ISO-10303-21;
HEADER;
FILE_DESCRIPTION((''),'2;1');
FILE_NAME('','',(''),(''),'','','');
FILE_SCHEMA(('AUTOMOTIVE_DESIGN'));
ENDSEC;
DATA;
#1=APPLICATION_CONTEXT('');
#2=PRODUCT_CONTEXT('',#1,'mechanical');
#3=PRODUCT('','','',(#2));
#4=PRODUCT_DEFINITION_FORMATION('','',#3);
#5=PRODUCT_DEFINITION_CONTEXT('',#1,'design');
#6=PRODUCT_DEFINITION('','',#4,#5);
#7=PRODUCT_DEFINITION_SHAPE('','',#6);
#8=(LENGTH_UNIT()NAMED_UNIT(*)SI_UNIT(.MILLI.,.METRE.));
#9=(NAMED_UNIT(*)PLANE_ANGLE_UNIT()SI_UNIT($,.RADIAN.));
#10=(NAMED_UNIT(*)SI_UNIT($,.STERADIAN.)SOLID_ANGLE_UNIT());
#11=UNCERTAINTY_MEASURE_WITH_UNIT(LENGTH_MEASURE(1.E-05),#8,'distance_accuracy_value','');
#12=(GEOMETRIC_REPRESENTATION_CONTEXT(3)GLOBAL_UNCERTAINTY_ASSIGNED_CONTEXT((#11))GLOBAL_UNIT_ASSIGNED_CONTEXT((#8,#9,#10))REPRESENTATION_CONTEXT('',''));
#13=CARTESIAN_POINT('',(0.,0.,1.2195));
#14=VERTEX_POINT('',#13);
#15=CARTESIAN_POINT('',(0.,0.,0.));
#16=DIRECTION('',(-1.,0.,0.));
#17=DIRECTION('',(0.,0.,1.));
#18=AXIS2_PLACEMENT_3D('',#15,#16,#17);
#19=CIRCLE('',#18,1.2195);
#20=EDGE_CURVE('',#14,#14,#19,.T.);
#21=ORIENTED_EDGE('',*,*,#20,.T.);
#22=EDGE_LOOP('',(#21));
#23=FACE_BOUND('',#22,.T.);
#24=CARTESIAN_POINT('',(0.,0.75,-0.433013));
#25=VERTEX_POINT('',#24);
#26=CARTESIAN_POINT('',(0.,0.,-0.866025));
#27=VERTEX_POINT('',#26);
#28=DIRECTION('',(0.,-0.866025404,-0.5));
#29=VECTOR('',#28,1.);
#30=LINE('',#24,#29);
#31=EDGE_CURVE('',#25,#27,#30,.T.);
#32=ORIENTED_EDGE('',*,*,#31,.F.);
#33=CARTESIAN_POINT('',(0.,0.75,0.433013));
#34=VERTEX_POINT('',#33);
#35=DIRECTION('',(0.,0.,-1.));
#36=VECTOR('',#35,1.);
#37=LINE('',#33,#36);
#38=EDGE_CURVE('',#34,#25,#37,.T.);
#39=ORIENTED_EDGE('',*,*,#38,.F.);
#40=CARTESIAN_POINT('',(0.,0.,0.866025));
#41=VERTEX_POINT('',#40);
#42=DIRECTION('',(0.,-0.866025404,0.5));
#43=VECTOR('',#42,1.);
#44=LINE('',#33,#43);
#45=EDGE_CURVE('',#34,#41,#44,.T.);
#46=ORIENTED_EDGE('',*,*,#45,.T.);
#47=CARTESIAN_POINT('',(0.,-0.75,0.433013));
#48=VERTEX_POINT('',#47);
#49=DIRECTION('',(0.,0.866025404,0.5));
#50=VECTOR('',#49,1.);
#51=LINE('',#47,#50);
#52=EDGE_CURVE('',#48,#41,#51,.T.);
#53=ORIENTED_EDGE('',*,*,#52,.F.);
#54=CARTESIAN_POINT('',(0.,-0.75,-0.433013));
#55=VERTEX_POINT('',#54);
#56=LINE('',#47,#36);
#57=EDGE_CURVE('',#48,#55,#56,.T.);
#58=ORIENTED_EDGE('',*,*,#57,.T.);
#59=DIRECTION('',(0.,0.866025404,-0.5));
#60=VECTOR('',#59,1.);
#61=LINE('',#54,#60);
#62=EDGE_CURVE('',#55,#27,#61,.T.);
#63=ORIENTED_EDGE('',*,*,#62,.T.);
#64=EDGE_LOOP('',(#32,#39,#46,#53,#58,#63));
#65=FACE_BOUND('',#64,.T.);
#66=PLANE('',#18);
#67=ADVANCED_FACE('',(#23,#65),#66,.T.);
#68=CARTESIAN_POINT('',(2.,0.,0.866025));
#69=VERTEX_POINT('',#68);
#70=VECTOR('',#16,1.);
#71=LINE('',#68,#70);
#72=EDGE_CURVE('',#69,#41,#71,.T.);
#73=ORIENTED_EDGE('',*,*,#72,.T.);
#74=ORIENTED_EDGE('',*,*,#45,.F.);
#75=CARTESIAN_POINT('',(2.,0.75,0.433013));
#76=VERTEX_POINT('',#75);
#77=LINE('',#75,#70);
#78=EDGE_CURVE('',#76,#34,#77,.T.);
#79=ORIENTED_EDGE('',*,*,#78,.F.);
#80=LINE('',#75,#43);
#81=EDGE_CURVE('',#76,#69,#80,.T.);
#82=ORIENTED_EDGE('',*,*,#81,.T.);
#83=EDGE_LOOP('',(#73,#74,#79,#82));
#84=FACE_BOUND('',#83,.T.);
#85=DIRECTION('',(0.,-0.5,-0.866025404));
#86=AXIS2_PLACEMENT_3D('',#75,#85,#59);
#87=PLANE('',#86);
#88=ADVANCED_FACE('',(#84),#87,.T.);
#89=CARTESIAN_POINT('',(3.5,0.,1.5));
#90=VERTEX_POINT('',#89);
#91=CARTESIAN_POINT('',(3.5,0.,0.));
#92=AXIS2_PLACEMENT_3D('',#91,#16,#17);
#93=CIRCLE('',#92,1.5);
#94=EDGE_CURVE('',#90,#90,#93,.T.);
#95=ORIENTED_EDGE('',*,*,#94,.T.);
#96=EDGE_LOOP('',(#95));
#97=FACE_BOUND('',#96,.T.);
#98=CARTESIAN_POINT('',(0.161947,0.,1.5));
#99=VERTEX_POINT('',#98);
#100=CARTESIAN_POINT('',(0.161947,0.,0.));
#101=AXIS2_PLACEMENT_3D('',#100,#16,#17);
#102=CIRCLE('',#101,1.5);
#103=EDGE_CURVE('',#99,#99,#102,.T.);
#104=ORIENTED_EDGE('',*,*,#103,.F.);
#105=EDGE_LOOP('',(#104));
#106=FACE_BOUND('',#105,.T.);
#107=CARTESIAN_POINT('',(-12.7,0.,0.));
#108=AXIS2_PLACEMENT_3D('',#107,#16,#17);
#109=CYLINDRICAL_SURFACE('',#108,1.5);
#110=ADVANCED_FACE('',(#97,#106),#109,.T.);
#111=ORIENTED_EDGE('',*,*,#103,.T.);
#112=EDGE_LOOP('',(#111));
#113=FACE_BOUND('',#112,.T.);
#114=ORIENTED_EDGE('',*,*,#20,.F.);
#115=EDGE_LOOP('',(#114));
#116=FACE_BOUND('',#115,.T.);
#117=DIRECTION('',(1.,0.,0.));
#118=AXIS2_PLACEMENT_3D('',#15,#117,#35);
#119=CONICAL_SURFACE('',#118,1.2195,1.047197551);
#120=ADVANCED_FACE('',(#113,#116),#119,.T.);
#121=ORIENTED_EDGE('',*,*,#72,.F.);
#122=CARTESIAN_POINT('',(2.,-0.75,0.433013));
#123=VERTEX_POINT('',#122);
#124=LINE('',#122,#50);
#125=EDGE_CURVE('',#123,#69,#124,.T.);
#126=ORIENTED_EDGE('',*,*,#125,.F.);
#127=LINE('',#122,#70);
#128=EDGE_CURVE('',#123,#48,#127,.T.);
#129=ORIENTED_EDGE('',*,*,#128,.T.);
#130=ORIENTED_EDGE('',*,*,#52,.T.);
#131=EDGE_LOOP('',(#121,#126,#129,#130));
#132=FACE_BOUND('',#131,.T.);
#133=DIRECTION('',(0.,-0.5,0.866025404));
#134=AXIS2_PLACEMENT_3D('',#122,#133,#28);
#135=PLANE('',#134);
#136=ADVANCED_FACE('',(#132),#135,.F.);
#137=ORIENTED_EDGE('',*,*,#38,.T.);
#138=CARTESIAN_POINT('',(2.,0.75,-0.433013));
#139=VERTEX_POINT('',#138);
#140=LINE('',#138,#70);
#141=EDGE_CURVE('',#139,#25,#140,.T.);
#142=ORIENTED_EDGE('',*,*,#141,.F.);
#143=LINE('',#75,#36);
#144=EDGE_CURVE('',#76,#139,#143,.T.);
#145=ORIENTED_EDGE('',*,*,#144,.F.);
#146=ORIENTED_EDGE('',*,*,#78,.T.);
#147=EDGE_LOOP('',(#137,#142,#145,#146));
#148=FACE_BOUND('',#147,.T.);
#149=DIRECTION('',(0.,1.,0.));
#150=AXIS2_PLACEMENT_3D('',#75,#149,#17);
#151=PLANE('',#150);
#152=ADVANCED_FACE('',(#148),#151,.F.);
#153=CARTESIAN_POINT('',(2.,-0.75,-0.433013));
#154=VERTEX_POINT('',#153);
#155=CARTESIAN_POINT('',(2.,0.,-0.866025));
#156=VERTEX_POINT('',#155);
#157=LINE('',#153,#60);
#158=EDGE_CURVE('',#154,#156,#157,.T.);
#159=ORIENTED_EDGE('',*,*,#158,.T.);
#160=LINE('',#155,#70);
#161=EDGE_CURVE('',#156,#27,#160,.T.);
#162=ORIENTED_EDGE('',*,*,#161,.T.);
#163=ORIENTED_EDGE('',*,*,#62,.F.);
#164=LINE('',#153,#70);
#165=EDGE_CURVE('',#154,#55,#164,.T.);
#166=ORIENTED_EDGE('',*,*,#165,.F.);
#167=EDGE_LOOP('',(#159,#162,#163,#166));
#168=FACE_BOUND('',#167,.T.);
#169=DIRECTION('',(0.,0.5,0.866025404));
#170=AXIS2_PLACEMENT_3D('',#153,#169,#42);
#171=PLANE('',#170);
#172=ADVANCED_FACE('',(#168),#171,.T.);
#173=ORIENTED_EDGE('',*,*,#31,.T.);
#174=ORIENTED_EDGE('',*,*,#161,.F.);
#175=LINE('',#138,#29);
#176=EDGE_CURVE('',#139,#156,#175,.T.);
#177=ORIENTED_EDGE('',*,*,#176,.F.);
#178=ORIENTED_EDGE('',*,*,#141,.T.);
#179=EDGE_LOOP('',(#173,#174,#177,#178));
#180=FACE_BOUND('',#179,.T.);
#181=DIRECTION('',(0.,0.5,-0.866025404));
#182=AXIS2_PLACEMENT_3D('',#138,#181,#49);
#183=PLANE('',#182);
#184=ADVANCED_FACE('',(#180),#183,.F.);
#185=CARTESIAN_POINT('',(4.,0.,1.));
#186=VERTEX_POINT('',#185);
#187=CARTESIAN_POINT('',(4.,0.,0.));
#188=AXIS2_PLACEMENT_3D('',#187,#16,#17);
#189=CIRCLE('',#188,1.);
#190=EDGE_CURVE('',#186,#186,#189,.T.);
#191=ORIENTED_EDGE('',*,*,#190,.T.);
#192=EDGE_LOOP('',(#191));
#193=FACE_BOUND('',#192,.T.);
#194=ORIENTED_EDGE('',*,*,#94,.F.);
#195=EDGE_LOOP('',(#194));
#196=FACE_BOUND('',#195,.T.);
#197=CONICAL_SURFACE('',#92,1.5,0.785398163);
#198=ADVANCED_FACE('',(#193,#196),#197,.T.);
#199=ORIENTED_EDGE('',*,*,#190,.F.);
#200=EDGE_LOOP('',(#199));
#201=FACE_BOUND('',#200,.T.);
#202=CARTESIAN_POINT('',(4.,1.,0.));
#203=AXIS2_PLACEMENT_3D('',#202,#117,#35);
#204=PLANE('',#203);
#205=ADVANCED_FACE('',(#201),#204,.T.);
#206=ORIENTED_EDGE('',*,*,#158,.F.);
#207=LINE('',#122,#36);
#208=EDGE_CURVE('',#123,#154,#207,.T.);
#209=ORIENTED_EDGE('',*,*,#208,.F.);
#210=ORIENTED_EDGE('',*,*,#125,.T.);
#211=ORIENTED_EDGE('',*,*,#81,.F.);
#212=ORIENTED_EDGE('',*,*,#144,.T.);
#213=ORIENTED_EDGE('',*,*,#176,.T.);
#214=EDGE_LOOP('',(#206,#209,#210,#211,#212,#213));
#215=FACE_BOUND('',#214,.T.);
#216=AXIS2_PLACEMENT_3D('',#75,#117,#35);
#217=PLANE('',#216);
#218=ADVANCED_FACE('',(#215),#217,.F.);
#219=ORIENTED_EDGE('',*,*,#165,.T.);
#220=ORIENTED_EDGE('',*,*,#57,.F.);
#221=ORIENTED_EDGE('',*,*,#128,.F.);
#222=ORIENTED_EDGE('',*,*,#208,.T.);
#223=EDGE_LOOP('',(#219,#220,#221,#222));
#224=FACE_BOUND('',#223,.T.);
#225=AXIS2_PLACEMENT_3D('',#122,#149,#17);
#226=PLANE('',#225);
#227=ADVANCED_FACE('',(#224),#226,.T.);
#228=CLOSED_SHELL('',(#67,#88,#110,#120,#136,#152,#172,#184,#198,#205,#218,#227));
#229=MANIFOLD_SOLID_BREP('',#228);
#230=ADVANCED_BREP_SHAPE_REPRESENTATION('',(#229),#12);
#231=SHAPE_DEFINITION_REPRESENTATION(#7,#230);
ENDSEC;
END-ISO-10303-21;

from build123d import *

# Parameters (mm, degrees)
HEX_2_DEPTH = 2


with BuildPart() as part:
    # BodySke → BaseBody (revolve)
    with BuildSketch(Plane.XY, mode=Mode.PRIVATE) as basebody_sk:
        Polygon((0, 0), (0, 1.2195), (0.161946751, 1.5), (3.5, 1.5), (4, 1), (4, 0), align=None)
    revolve(basebody_sk.sketch.rotate(Axis((-12.7, 0, 0), (1, 0, 0)), 90), axis=Axis((-12.7, 0, 0), (1, 0, 0)))

    # Sketch2 → Hex 2 (cut)
    with BuildSketch(Plane.ZY):
        Polygon((0.433012702, 0.75), (-0.433012702, 0.75), (-0.866025404, 0), (-0.433012702, -0.75), (0.433012702, -0.75), (0.866025404, 0), align=None)
    extrude(amount=-HEX_2_DEPTH, mode=Mode.SUBTRACT)


solid = part.part
